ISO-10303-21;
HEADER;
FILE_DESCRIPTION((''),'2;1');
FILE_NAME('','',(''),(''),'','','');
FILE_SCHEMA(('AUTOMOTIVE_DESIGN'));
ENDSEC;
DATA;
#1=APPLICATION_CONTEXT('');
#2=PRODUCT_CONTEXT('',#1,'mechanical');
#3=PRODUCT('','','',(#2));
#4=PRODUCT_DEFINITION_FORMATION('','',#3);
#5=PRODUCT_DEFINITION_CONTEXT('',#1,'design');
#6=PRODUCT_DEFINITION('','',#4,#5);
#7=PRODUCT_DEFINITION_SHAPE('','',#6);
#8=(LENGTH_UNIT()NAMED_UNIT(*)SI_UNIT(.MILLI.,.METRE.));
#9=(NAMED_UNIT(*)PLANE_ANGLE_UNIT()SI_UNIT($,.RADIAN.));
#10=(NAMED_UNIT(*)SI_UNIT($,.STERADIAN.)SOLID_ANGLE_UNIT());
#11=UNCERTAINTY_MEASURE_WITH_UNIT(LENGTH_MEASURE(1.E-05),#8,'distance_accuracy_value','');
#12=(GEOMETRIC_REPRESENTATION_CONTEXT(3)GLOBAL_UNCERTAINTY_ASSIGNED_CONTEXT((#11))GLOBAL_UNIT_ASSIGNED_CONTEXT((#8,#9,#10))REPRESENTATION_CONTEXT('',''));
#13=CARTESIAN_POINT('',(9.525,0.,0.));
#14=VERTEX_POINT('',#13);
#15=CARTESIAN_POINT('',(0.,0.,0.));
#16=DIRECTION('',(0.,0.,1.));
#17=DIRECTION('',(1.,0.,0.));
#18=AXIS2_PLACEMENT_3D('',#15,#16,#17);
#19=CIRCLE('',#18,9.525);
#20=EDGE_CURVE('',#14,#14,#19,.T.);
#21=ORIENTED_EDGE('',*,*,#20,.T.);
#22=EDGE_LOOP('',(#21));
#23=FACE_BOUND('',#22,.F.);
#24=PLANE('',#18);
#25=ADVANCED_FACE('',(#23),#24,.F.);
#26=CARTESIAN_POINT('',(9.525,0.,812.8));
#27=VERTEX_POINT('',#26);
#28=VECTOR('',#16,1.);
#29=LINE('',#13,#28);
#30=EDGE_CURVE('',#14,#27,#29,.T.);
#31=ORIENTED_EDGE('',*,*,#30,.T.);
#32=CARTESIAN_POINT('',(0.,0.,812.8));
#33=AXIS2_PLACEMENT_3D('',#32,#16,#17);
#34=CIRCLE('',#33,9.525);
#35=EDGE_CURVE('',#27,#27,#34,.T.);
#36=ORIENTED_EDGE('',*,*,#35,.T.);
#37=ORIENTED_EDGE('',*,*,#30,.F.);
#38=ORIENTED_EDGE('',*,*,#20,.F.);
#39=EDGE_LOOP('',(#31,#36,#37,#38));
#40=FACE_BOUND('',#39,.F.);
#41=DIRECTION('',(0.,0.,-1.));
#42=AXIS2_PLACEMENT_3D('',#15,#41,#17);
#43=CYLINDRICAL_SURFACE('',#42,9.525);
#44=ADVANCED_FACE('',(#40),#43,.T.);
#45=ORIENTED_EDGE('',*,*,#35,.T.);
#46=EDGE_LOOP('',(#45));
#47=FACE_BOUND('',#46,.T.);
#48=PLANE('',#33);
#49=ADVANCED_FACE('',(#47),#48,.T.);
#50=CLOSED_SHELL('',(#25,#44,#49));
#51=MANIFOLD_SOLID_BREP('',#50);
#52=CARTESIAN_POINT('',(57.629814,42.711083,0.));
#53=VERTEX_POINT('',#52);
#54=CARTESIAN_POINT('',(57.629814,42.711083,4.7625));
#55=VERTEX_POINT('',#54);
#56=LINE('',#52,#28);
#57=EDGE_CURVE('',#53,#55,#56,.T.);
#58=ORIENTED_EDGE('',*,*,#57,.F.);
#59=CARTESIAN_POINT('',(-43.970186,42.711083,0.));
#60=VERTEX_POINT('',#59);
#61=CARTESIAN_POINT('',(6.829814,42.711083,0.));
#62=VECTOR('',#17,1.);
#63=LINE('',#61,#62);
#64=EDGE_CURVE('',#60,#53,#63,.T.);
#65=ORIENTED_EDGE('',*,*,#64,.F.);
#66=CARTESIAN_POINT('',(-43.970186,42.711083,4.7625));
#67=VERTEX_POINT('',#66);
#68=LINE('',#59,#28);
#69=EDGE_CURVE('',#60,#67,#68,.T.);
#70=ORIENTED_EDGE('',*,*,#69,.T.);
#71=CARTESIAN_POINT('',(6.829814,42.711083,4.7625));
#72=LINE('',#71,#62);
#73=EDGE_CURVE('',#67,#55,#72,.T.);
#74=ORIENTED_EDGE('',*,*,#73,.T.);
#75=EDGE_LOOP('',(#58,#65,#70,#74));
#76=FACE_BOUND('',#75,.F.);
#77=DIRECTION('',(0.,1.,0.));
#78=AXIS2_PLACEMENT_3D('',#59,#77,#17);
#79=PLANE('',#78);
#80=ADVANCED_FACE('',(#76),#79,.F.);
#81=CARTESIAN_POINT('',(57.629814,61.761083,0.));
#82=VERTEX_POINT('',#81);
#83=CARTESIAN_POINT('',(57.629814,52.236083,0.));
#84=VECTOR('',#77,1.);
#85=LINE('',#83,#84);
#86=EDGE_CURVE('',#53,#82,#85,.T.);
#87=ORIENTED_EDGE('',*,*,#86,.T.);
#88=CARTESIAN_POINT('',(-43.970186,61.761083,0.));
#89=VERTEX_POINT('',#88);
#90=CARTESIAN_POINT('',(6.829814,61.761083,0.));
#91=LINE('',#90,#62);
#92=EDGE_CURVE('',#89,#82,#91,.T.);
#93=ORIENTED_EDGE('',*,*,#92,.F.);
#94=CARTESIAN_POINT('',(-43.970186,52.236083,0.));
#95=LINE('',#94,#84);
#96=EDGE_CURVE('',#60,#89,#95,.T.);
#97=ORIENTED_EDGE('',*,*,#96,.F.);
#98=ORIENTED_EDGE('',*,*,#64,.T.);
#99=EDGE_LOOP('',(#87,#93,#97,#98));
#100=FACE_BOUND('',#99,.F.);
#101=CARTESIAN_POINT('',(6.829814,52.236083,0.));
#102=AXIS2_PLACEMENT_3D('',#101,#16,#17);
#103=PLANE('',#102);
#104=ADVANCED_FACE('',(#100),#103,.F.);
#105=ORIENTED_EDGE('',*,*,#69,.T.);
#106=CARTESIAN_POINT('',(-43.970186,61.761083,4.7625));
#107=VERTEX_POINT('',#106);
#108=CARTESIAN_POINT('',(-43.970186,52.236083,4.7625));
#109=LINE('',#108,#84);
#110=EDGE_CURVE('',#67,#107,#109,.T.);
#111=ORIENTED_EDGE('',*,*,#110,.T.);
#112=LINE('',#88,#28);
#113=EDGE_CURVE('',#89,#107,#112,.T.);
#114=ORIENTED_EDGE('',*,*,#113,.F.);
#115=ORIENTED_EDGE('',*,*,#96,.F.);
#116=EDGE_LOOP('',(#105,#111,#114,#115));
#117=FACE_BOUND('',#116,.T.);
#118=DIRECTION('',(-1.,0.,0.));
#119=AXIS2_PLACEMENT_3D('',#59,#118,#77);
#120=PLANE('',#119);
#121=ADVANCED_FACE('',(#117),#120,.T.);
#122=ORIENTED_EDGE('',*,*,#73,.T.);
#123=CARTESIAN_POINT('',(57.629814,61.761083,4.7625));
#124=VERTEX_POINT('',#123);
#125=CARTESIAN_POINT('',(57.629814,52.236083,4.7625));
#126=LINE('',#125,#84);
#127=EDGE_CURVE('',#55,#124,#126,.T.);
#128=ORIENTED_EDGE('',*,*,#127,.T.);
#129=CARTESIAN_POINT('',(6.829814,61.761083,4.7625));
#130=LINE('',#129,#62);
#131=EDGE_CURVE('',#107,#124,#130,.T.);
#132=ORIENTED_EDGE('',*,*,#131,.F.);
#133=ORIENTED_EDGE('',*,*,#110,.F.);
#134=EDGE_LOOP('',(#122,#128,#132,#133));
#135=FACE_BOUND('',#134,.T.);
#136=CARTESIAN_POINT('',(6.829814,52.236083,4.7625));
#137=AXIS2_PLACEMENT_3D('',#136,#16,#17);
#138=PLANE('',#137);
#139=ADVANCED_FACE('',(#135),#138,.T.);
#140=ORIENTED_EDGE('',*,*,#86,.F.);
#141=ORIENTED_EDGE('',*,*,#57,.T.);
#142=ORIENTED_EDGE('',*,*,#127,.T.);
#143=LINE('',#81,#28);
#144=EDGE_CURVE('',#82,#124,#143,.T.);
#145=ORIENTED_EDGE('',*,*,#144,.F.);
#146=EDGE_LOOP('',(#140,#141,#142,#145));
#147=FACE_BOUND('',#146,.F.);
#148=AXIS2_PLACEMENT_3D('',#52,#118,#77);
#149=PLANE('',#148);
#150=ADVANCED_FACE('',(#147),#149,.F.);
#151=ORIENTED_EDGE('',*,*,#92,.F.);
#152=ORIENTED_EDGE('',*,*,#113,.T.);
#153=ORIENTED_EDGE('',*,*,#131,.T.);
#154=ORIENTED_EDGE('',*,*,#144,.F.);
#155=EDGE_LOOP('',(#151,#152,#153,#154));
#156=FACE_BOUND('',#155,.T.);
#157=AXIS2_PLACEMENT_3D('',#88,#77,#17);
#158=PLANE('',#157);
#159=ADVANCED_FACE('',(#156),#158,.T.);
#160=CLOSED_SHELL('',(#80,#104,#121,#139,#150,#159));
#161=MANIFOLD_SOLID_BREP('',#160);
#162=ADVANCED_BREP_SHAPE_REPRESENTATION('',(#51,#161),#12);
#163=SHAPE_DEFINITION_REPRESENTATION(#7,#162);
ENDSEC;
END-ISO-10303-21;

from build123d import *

# Parameters (mm, degrees)
F0_R     = 9.525
F1_DEPTH = 812.8
F0_W     = 101.6
F0_H     = 19.05
F2_DEPTH = 4.7625


with BuildPart() as f1:
    # F0 (on Top) → F1 (new body)
    with BuildSketch(Plane.XY):
        Circle(F0_R)
    extrude(amount=F1_DEPTH)


with BuildPart() as f2:
    # F0 (on Top) → F2 (new body)
    with BuildSketch(Plane.XY):
        with Locations((6.829814, 52.236083)):
            Rectangle(F0_W, F0_H)
    extrude(amount=F2_DEPTH)


solid = Compound([f1.part, f2.part])
